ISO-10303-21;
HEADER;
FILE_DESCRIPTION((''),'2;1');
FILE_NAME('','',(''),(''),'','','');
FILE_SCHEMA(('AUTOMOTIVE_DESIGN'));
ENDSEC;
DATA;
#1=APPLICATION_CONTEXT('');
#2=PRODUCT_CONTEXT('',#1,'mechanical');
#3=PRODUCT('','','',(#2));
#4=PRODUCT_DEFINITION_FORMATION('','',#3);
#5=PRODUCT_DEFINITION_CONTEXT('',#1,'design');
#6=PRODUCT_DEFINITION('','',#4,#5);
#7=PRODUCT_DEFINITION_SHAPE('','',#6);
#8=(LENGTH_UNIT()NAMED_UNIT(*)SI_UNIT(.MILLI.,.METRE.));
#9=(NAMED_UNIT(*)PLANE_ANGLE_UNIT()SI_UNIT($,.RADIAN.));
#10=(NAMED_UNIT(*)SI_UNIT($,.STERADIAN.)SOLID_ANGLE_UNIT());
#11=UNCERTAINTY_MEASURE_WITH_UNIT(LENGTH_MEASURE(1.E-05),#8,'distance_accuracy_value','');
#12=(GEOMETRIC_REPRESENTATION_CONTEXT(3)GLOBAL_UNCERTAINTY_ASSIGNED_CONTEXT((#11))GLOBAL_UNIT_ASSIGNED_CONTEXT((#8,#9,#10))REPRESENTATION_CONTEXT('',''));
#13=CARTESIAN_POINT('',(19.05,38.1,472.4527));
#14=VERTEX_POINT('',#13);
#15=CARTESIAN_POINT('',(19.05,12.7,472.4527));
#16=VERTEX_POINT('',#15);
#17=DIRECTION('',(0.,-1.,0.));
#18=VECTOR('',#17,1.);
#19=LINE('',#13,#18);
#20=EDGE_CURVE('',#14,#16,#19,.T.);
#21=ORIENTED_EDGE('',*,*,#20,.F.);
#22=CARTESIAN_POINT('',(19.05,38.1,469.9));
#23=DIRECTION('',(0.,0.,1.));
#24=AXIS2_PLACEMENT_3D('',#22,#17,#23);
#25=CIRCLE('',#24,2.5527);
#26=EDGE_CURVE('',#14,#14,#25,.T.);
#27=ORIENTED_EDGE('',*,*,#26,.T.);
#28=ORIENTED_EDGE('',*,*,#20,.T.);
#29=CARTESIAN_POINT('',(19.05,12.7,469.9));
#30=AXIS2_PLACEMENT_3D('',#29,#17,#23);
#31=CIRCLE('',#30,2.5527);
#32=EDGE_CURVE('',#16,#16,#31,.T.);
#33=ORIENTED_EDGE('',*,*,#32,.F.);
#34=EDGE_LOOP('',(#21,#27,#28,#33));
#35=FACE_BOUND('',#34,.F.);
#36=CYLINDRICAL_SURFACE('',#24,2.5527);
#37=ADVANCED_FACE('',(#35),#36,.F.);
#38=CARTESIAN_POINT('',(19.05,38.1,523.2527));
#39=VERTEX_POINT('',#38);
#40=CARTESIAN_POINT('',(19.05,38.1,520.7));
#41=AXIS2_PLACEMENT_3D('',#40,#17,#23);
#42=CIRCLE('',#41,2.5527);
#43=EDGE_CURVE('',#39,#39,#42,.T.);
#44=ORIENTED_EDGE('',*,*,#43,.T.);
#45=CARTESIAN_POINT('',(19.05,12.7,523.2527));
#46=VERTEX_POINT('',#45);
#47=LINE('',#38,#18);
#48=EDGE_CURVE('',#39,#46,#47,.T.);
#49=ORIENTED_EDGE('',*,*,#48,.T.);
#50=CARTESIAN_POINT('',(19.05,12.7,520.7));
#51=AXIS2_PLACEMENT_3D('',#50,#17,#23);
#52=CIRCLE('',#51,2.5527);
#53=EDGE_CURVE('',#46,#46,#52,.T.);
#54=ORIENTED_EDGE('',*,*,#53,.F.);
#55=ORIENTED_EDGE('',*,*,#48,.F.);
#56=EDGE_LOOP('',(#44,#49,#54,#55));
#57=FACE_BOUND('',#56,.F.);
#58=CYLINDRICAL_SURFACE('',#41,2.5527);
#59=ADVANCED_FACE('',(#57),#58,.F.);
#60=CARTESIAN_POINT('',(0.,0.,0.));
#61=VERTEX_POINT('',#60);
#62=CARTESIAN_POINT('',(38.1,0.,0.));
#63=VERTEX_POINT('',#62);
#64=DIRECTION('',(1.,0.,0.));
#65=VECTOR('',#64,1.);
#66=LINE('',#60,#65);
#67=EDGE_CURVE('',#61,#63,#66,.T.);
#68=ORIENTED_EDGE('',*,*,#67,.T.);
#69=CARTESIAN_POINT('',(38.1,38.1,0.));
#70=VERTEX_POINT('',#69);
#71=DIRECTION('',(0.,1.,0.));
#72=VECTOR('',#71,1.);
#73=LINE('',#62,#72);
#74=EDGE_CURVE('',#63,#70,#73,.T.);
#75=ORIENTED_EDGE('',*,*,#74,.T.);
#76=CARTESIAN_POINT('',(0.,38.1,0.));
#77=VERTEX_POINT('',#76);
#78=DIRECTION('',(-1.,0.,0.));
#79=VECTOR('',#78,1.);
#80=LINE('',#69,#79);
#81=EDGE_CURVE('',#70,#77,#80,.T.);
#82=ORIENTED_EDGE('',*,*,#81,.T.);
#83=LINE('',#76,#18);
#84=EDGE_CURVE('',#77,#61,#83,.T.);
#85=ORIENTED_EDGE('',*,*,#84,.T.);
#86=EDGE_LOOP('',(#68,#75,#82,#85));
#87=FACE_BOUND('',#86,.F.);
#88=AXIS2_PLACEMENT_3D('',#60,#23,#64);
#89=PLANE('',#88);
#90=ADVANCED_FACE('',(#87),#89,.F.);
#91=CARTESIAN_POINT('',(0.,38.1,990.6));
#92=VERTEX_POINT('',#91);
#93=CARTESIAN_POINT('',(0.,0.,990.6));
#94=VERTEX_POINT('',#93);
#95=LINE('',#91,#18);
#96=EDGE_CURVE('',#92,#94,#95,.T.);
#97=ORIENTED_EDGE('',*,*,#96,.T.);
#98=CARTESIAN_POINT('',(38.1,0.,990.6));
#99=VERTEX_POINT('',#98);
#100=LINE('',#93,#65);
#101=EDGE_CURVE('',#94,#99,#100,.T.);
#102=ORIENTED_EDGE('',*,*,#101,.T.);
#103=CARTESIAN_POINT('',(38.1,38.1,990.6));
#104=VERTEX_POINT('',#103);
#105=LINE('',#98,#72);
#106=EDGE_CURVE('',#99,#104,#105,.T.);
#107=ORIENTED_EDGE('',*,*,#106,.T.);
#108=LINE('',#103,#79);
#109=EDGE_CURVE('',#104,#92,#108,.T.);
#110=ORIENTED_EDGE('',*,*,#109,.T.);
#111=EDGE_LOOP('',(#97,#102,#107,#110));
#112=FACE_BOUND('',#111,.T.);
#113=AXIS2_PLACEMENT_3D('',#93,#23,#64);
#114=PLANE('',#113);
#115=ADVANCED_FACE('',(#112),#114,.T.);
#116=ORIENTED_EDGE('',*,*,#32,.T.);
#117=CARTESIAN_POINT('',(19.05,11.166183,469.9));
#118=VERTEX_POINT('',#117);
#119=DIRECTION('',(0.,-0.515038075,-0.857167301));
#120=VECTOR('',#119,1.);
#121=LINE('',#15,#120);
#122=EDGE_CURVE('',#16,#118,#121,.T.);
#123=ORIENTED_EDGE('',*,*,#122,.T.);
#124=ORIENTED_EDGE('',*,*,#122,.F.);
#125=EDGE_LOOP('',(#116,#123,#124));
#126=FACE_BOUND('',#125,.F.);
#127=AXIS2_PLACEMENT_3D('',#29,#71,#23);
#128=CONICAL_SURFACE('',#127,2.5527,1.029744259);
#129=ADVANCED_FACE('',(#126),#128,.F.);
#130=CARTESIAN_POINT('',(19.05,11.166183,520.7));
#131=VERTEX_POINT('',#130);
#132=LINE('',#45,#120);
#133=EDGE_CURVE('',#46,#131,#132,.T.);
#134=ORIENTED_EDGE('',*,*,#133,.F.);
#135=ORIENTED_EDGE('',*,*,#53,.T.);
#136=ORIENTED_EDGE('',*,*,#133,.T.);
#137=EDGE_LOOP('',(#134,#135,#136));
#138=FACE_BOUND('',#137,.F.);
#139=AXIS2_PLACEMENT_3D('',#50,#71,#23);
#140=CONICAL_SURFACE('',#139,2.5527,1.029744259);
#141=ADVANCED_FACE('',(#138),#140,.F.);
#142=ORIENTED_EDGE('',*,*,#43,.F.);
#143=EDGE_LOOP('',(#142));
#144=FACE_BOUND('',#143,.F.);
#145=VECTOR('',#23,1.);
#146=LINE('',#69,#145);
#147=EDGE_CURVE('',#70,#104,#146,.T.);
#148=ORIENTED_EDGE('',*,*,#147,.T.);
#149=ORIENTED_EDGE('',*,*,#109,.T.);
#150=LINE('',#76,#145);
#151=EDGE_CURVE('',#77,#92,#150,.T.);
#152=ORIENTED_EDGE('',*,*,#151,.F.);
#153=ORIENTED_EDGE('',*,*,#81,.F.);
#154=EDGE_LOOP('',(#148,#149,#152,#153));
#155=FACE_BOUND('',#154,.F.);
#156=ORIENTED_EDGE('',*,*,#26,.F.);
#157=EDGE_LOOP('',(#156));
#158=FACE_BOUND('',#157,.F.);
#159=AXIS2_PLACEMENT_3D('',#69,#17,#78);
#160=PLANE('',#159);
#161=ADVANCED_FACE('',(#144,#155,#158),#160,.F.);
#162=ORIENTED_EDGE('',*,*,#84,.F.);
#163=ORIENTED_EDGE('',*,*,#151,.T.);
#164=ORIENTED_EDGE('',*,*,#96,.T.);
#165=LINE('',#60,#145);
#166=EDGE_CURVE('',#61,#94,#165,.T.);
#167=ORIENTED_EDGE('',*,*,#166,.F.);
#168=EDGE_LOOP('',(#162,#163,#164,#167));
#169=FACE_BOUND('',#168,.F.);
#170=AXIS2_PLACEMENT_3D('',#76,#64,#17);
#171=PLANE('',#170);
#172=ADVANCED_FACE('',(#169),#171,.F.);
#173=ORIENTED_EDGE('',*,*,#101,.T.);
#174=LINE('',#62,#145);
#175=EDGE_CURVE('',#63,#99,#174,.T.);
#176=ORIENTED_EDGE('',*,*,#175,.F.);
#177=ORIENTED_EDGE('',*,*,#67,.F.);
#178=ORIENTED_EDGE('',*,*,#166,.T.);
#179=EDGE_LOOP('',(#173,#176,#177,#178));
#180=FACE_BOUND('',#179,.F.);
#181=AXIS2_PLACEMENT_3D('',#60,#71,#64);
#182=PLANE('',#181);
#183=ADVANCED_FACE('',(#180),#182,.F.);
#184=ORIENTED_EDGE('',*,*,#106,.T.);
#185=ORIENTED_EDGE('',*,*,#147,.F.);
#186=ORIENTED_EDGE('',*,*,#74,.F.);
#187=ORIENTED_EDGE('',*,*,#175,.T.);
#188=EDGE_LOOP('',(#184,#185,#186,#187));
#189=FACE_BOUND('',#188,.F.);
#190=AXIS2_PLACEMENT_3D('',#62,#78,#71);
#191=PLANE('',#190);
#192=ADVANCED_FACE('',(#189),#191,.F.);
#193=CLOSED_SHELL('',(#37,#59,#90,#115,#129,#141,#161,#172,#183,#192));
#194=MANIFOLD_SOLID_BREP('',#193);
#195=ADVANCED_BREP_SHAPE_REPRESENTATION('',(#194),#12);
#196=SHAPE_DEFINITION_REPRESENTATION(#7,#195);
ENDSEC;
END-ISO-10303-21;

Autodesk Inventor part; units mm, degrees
ref_plane "YZ Plane" through (0, 0, 0) normal (1, 0, 0) x (0, 1, 0)
ref_plane "XZ Plane" through (0, 0, 0) normal (0, 1, 0) x (-1, 0, 0)
ref_plane "XY Plane" through (0, 0, 0) normal (0, 0, 1) x (1, 0, 0)
sketch "Sketch1" plane through (0, 0, 0) normal (0, 0, 1) x (1, 0, 0)
  line L0 (0, 0) -> (38.1, 0)
  line L1 (38.1, 0) -> (38.1, 38.1)
  line L2 (38.1, 38.1) -> (0, 38.1)
  line L3 (0, 38.1) -> (0, 0)
  dimension "d0" = 38.1
  dimension "d1" = 38.1
extrude "Extrusion1" add sketch "Sketch1" along normal blind 990.6
sketch "Sketch3" plane through (0, 38.1, 0) normal (0, 1, 0) x (1, 0, 0)
  line L0 (0, 0) -> (0, -990.6) projected
  line L1 (38.1, 0) -> (38.1, -990.6) projected
  line L2 (0, -495.3) -> (38.1, -495.3) construction
  circle A0 centre (19.05, -469.9) radius 4.1388
  circle A1 centre (19.05, -520.7) radius 4.1388
  dimension "d21" = 25.4
hole "Hole2" at (19.05, 38.1, 469.9) at (19.05, 38.1, 520.7) direction (0, -1, 0) diameter 5.1054 depth 25.4 tip angle 118 clearance for "Flat Head Machine Screw (82)" size "#10" standard "Ansi Unified Screw Threads"
sketch "Sketch4" plane through (38.1, 0, 0) normal (1, 0, 0) x (0, 0, -1)
  line L0 (0, 0) -> (0, 38.1) projected
  line L1 (0, 38.1) -> (-990.6, 38.1) projected
  line L2 (-990.6, 0) -> (-990.6, 38.1) projected
  line L3 (0, 0) -> (-990.6, 0) projected
  line L4 (-495.3, 38.1) -> (-495.3, 0) construction
properties part number "hubjig_side1" material "Wood (Cherry)"
